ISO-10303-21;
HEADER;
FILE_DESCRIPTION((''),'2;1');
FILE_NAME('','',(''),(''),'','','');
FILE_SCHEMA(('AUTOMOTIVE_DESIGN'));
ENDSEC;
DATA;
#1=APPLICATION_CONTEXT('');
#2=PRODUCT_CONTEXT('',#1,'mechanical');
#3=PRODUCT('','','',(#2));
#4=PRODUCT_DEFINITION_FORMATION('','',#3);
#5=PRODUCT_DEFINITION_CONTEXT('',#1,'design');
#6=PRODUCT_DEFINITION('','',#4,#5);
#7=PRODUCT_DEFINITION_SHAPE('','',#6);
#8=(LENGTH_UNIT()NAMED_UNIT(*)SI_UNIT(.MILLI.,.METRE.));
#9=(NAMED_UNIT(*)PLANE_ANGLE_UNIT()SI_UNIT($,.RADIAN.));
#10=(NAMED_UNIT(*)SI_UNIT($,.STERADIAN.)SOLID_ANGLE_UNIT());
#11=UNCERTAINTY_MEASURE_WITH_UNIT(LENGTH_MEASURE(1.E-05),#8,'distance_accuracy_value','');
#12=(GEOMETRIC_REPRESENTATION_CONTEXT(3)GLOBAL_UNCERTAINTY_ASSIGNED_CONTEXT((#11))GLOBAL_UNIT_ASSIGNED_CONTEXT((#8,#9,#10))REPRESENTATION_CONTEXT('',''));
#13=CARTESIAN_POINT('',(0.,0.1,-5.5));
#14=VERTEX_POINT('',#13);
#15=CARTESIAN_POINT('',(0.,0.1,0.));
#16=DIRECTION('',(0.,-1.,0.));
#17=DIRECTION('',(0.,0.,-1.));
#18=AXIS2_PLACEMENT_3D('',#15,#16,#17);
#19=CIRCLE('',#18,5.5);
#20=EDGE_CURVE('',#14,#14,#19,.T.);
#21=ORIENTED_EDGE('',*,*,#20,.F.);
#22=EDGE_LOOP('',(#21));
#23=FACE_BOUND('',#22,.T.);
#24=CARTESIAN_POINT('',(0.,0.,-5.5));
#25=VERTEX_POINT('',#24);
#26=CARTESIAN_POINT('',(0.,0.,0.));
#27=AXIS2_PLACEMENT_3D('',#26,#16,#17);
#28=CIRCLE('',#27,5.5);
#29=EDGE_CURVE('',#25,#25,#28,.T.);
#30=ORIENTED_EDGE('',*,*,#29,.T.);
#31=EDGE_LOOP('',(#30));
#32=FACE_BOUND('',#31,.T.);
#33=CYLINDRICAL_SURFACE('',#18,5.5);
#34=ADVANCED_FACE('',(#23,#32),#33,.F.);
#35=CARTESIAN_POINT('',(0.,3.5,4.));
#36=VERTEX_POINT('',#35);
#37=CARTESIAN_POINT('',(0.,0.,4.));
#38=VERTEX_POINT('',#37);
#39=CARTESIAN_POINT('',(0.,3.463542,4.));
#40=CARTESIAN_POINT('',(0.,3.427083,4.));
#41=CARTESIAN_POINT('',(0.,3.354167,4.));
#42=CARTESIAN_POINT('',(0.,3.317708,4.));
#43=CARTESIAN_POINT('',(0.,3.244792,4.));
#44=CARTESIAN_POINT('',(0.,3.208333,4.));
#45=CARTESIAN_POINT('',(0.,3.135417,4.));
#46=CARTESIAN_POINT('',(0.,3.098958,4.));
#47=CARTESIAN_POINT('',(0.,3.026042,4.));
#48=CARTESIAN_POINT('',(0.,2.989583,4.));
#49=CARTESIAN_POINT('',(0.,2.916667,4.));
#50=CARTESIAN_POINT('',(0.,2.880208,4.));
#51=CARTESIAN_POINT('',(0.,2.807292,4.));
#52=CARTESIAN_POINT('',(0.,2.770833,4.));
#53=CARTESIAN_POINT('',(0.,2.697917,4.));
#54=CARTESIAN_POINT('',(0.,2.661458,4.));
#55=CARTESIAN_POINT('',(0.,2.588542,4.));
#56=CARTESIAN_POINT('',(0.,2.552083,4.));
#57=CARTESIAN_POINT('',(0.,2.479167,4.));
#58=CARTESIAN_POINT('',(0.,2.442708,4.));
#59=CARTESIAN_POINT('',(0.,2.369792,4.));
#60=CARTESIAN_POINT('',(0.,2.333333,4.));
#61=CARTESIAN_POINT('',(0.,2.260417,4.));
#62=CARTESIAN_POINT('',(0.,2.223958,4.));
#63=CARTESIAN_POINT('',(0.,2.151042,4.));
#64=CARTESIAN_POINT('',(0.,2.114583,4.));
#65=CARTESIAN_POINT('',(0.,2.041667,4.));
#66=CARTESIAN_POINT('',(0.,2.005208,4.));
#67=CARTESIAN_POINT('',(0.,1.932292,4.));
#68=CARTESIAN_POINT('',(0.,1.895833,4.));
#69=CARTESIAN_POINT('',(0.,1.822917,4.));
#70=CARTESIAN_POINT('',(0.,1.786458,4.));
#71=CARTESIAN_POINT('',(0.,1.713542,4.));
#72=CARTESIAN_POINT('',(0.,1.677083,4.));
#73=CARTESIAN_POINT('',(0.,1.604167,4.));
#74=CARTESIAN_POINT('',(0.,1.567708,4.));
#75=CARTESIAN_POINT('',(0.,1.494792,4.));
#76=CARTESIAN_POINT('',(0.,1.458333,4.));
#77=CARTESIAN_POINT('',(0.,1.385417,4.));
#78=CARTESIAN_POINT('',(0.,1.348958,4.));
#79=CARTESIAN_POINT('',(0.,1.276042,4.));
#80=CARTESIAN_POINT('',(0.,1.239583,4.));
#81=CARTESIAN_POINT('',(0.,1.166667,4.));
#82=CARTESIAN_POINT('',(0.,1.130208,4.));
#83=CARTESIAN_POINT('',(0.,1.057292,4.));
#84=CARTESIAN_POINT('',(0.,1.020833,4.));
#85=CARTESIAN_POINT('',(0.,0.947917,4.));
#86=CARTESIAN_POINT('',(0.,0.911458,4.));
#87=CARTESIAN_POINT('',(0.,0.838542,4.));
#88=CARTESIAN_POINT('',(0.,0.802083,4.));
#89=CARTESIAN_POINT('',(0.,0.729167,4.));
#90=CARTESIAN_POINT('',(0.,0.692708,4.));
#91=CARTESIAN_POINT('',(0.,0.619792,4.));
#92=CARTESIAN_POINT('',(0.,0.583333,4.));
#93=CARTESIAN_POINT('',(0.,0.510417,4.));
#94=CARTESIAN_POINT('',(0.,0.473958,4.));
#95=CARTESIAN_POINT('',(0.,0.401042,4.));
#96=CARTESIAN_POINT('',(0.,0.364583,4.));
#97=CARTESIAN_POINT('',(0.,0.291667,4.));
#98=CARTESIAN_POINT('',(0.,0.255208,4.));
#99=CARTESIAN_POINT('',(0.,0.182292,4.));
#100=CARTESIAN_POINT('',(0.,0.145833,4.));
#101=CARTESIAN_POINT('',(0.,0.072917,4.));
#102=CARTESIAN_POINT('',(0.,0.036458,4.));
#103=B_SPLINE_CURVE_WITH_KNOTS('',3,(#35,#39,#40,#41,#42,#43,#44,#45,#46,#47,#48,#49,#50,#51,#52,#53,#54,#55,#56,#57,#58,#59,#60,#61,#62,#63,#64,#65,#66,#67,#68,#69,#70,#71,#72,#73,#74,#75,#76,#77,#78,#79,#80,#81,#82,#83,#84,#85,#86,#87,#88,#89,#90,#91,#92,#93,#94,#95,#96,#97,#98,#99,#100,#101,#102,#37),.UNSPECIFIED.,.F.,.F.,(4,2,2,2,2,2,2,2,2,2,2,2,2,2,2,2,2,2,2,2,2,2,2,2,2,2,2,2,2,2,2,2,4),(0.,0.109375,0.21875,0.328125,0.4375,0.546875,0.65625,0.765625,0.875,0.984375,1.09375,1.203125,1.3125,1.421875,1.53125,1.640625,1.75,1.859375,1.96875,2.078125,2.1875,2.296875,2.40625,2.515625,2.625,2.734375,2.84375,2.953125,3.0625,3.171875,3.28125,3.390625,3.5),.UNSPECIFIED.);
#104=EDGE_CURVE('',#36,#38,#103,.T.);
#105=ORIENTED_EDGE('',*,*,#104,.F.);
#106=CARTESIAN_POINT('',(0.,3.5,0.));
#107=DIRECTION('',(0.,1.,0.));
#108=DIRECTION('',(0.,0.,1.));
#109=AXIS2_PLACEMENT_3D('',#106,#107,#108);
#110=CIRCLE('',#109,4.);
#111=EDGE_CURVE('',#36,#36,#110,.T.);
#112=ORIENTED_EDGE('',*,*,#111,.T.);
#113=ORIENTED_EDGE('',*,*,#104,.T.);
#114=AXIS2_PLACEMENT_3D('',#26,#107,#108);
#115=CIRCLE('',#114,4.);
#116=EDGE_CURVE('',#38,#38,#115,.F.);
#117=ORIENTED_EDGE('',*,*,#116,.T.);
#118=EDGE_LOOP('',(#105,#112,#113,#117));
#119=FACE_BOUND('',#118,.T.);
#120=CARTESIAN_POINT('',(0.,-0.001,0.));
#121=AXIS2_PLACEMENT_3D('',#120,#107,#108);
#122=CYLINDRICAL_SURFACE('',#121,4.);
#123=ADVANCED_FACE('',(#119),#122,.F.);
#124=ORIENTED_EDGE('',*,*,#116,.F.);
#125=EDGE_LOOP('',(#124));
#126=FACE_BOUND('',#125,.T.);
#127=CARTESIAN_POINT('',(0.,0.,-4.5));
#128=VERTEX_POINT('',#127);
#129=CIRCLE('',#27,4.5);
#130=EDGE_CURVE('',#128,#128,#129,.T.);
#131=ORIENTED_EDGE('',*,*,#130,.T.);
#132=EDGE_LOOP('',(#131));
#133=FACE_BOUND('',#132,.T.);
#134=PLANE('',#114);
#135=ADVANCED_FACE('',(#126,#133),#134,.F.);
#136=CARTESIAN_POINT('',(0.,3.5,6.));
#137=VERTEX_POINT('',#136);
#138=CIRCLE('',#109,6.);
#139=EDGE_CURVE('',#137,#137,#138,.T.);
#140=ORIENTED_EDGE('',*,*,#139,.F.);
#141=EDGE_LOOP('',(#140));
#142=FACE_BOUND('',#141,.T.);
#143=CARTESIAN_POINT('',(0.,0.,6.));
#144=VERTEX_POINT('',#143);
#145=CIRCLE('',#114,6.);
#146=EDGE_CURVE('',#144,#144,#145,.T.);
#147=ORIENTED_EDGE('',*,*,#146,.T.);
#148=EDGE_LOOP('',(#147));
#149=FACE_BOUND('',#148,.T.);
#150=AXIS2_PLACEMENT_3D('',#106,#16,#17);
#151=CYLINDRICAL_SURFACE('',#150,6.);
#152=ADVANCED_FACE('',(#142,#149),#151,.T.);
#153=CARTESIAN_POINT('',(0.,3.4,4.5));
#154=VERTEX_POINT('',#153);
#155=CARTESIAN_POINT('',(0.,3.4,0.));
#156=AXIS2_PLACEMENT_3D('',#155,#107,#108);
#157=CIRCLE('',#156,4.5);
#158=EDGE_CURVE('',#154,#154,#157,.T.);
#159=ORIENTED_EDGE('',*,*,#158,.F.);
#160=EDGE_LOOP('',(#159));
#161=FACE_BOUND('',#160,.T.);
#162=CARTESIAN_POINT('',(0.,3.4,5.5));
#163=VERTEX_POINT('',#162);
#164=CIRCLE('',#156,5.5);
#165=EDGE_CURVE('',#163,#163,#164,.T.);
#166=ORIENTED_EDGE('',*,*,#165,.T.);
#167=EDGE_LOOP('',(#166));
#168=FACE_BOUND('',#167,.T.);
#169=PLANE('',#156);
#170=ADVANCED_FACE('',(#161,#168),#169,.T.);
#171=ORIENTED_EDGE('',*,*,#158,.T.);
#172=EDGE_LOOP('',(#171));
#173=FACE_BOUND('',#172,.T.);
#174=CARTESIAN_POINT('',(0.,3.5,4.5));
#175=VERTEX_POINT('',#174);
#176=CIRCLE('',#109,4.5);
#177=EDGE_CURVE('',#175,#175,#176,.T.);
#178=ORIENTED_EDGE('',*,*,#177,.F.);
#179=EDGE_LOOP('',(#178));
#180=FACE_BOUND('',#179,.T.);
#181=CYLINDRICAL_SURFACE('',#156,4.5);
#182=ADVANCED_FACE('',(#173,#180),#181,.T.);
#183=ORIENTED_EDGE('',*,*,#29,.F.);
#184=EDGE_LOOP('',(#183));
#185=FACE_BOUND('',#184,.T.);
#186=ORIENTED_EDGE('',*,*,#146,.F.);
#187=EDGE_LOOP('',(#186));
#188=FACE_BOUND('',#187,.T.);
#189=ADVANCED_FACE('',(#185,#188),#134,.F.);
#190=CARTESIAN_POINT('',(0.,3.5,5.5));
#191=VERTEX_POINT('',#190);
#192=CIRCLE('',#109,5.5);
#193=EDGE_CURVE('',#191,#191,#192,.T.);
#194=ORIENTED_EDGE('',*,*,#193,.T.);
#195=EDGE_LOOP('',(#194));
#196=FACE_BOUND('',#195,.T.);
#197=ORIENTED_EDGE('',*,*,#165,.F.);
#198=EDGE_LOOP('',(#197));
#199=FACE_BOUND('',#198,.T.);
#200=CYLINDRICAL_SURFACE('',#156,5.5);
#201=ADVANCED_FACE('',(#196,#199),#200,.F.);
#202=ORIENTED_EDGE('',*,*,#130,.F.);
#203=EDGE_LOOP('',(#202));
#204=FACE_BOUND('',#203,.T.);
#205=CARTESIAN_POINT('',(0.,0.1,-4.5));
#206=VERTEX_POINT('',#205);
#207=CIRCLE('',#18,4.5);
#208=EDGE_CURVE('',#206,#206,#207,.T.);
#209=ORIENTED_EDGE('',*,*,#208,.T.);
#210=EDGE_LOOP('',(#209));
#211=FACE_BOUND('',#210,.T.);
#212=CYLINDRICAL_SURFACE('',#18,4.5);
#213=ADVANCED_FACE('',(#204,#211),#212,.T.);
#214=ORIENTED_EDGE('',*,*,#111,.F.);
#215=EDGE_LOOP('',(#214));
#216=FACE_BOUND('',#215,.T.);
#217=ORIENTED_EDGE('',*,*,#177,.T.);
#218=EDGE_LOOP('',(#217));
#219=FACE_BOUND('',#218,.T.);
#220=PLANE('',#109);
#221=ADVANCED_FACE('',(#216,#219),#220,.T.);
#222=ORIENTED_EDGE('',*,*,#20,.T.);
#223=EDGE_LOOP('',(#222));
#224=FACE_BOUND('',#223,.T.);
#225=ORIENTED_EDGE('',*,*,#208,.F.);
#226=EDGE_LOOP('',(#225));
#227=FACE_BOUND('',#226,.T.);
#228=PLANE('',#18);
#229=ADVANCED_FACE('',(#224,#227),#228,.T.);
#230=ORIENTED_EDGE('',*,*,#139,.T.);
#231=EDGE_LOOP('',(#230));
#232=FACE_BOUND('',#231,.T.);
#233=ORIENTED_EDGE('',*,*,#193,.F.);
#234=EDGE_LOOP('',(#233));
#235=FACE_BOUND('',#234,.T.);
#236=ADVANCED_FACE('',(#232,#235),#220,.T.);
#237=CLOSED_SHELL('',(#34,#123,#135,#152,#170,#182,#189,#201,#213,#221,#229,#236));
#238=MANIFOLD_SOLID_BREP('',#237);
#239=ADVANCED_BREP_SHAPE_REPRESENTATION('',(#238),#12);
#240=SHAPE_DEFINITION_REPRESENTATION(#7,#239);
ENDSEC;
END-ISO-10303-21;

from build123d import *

# Parameters (mm, degrees)
SKETCH_1_R          = 6
EXTRUDE_1_DEPTH     = 3.5
CUT_EXTRUDE_1_REACH = 11.179
SKETCH_2_R          = 4
SKETCH_3_R          = 5.5
SKETCH_3_R_2        = 4.5
CUT_EXTRUDE_2_DEPTH = 0.1
CUT_EXTRUDE_START   = -0.1
SKETCH_4_R          = 5.5
SKETCH_4_R_2        = 4.5
CUT_EXTRUDE_3_DEPTH = 0.1


with BuildPart() as part:
    # 草图1 → 凸台-拉伸1 (new body)
    with BuildSketch(Plane(origin=(0, 0, 0), x_dir=(1, 0, 0), z_dir=(0, 1, 0))):
        with Locations(Location((0, 0, 0), (0, 0, 270))):
            Circle(SKETCH_1_R)
    extrude(amount=EXTRUDE_1_DEPTH)

    # 草图2 → 切除-拉伸1 (cut, up to next)
    with BuildSketch(Plane(origin=(0, 3.5, 0), x_dir=(1, 0, 0), z_dir=(0, 1, 0)), mode=Mode.PRIVATE) as cut_extrude_1_sk1:
        with Locations(Location((0, 0, 0), (0, 0, 270))):
            Circle(SKETCH_2_R)
    cut_extrude_1_tool1 = extrude(cut_extrude_1_sk1.sketch, amount=-CUT_EXTRUDE_1_REACH, mode=Mode.PRIVATE) & part.part
    add(cut_extrude_1_tool1.solids().sort_by_distance((0, 3.5, 0))[0], mode=Mode.SUBTRACT)

    # 草图3 → 切除-拉伸2 (cut)
    with BuildSketch(Plane(origin=(0, 3.5, 0), x_dir=(1, 0, 0), z_dir=(0, 1, 0))):
        with Locations(Location((0, 0, 0), (0, 0, 270))):
            Circle(SKETCH_3_R)
        with Locations(Location((0, 0, 0), (0, 0, 270))):
            Circle(SKETCH_3_R_2, mode=Mode.SUBTRACT)
    extrude(amount=-CUT_EXTRUDE_2_DEPTH, mode=Mode.SUBTRACT)

    # 草图4 → 切除-拉伸3 (cut)
    with BuildSketch(Plane.XZ.offset(CUT_EXTRUDE_START)):
        with Locations(Location((0, 0, 0), (0, 0, 90))):
            Circle(SKETCH_4_R)
        with Locations(Location((0, 0, 0), (0, 0, 90))):
            Circle(SKETCH_4_R_2, mode=Mode.SUBTRACT)
    extrude(amount=CUT_EXTRUDE_3_DEPTH, mode=Mode.SUBTRACT)


solid = part.part
